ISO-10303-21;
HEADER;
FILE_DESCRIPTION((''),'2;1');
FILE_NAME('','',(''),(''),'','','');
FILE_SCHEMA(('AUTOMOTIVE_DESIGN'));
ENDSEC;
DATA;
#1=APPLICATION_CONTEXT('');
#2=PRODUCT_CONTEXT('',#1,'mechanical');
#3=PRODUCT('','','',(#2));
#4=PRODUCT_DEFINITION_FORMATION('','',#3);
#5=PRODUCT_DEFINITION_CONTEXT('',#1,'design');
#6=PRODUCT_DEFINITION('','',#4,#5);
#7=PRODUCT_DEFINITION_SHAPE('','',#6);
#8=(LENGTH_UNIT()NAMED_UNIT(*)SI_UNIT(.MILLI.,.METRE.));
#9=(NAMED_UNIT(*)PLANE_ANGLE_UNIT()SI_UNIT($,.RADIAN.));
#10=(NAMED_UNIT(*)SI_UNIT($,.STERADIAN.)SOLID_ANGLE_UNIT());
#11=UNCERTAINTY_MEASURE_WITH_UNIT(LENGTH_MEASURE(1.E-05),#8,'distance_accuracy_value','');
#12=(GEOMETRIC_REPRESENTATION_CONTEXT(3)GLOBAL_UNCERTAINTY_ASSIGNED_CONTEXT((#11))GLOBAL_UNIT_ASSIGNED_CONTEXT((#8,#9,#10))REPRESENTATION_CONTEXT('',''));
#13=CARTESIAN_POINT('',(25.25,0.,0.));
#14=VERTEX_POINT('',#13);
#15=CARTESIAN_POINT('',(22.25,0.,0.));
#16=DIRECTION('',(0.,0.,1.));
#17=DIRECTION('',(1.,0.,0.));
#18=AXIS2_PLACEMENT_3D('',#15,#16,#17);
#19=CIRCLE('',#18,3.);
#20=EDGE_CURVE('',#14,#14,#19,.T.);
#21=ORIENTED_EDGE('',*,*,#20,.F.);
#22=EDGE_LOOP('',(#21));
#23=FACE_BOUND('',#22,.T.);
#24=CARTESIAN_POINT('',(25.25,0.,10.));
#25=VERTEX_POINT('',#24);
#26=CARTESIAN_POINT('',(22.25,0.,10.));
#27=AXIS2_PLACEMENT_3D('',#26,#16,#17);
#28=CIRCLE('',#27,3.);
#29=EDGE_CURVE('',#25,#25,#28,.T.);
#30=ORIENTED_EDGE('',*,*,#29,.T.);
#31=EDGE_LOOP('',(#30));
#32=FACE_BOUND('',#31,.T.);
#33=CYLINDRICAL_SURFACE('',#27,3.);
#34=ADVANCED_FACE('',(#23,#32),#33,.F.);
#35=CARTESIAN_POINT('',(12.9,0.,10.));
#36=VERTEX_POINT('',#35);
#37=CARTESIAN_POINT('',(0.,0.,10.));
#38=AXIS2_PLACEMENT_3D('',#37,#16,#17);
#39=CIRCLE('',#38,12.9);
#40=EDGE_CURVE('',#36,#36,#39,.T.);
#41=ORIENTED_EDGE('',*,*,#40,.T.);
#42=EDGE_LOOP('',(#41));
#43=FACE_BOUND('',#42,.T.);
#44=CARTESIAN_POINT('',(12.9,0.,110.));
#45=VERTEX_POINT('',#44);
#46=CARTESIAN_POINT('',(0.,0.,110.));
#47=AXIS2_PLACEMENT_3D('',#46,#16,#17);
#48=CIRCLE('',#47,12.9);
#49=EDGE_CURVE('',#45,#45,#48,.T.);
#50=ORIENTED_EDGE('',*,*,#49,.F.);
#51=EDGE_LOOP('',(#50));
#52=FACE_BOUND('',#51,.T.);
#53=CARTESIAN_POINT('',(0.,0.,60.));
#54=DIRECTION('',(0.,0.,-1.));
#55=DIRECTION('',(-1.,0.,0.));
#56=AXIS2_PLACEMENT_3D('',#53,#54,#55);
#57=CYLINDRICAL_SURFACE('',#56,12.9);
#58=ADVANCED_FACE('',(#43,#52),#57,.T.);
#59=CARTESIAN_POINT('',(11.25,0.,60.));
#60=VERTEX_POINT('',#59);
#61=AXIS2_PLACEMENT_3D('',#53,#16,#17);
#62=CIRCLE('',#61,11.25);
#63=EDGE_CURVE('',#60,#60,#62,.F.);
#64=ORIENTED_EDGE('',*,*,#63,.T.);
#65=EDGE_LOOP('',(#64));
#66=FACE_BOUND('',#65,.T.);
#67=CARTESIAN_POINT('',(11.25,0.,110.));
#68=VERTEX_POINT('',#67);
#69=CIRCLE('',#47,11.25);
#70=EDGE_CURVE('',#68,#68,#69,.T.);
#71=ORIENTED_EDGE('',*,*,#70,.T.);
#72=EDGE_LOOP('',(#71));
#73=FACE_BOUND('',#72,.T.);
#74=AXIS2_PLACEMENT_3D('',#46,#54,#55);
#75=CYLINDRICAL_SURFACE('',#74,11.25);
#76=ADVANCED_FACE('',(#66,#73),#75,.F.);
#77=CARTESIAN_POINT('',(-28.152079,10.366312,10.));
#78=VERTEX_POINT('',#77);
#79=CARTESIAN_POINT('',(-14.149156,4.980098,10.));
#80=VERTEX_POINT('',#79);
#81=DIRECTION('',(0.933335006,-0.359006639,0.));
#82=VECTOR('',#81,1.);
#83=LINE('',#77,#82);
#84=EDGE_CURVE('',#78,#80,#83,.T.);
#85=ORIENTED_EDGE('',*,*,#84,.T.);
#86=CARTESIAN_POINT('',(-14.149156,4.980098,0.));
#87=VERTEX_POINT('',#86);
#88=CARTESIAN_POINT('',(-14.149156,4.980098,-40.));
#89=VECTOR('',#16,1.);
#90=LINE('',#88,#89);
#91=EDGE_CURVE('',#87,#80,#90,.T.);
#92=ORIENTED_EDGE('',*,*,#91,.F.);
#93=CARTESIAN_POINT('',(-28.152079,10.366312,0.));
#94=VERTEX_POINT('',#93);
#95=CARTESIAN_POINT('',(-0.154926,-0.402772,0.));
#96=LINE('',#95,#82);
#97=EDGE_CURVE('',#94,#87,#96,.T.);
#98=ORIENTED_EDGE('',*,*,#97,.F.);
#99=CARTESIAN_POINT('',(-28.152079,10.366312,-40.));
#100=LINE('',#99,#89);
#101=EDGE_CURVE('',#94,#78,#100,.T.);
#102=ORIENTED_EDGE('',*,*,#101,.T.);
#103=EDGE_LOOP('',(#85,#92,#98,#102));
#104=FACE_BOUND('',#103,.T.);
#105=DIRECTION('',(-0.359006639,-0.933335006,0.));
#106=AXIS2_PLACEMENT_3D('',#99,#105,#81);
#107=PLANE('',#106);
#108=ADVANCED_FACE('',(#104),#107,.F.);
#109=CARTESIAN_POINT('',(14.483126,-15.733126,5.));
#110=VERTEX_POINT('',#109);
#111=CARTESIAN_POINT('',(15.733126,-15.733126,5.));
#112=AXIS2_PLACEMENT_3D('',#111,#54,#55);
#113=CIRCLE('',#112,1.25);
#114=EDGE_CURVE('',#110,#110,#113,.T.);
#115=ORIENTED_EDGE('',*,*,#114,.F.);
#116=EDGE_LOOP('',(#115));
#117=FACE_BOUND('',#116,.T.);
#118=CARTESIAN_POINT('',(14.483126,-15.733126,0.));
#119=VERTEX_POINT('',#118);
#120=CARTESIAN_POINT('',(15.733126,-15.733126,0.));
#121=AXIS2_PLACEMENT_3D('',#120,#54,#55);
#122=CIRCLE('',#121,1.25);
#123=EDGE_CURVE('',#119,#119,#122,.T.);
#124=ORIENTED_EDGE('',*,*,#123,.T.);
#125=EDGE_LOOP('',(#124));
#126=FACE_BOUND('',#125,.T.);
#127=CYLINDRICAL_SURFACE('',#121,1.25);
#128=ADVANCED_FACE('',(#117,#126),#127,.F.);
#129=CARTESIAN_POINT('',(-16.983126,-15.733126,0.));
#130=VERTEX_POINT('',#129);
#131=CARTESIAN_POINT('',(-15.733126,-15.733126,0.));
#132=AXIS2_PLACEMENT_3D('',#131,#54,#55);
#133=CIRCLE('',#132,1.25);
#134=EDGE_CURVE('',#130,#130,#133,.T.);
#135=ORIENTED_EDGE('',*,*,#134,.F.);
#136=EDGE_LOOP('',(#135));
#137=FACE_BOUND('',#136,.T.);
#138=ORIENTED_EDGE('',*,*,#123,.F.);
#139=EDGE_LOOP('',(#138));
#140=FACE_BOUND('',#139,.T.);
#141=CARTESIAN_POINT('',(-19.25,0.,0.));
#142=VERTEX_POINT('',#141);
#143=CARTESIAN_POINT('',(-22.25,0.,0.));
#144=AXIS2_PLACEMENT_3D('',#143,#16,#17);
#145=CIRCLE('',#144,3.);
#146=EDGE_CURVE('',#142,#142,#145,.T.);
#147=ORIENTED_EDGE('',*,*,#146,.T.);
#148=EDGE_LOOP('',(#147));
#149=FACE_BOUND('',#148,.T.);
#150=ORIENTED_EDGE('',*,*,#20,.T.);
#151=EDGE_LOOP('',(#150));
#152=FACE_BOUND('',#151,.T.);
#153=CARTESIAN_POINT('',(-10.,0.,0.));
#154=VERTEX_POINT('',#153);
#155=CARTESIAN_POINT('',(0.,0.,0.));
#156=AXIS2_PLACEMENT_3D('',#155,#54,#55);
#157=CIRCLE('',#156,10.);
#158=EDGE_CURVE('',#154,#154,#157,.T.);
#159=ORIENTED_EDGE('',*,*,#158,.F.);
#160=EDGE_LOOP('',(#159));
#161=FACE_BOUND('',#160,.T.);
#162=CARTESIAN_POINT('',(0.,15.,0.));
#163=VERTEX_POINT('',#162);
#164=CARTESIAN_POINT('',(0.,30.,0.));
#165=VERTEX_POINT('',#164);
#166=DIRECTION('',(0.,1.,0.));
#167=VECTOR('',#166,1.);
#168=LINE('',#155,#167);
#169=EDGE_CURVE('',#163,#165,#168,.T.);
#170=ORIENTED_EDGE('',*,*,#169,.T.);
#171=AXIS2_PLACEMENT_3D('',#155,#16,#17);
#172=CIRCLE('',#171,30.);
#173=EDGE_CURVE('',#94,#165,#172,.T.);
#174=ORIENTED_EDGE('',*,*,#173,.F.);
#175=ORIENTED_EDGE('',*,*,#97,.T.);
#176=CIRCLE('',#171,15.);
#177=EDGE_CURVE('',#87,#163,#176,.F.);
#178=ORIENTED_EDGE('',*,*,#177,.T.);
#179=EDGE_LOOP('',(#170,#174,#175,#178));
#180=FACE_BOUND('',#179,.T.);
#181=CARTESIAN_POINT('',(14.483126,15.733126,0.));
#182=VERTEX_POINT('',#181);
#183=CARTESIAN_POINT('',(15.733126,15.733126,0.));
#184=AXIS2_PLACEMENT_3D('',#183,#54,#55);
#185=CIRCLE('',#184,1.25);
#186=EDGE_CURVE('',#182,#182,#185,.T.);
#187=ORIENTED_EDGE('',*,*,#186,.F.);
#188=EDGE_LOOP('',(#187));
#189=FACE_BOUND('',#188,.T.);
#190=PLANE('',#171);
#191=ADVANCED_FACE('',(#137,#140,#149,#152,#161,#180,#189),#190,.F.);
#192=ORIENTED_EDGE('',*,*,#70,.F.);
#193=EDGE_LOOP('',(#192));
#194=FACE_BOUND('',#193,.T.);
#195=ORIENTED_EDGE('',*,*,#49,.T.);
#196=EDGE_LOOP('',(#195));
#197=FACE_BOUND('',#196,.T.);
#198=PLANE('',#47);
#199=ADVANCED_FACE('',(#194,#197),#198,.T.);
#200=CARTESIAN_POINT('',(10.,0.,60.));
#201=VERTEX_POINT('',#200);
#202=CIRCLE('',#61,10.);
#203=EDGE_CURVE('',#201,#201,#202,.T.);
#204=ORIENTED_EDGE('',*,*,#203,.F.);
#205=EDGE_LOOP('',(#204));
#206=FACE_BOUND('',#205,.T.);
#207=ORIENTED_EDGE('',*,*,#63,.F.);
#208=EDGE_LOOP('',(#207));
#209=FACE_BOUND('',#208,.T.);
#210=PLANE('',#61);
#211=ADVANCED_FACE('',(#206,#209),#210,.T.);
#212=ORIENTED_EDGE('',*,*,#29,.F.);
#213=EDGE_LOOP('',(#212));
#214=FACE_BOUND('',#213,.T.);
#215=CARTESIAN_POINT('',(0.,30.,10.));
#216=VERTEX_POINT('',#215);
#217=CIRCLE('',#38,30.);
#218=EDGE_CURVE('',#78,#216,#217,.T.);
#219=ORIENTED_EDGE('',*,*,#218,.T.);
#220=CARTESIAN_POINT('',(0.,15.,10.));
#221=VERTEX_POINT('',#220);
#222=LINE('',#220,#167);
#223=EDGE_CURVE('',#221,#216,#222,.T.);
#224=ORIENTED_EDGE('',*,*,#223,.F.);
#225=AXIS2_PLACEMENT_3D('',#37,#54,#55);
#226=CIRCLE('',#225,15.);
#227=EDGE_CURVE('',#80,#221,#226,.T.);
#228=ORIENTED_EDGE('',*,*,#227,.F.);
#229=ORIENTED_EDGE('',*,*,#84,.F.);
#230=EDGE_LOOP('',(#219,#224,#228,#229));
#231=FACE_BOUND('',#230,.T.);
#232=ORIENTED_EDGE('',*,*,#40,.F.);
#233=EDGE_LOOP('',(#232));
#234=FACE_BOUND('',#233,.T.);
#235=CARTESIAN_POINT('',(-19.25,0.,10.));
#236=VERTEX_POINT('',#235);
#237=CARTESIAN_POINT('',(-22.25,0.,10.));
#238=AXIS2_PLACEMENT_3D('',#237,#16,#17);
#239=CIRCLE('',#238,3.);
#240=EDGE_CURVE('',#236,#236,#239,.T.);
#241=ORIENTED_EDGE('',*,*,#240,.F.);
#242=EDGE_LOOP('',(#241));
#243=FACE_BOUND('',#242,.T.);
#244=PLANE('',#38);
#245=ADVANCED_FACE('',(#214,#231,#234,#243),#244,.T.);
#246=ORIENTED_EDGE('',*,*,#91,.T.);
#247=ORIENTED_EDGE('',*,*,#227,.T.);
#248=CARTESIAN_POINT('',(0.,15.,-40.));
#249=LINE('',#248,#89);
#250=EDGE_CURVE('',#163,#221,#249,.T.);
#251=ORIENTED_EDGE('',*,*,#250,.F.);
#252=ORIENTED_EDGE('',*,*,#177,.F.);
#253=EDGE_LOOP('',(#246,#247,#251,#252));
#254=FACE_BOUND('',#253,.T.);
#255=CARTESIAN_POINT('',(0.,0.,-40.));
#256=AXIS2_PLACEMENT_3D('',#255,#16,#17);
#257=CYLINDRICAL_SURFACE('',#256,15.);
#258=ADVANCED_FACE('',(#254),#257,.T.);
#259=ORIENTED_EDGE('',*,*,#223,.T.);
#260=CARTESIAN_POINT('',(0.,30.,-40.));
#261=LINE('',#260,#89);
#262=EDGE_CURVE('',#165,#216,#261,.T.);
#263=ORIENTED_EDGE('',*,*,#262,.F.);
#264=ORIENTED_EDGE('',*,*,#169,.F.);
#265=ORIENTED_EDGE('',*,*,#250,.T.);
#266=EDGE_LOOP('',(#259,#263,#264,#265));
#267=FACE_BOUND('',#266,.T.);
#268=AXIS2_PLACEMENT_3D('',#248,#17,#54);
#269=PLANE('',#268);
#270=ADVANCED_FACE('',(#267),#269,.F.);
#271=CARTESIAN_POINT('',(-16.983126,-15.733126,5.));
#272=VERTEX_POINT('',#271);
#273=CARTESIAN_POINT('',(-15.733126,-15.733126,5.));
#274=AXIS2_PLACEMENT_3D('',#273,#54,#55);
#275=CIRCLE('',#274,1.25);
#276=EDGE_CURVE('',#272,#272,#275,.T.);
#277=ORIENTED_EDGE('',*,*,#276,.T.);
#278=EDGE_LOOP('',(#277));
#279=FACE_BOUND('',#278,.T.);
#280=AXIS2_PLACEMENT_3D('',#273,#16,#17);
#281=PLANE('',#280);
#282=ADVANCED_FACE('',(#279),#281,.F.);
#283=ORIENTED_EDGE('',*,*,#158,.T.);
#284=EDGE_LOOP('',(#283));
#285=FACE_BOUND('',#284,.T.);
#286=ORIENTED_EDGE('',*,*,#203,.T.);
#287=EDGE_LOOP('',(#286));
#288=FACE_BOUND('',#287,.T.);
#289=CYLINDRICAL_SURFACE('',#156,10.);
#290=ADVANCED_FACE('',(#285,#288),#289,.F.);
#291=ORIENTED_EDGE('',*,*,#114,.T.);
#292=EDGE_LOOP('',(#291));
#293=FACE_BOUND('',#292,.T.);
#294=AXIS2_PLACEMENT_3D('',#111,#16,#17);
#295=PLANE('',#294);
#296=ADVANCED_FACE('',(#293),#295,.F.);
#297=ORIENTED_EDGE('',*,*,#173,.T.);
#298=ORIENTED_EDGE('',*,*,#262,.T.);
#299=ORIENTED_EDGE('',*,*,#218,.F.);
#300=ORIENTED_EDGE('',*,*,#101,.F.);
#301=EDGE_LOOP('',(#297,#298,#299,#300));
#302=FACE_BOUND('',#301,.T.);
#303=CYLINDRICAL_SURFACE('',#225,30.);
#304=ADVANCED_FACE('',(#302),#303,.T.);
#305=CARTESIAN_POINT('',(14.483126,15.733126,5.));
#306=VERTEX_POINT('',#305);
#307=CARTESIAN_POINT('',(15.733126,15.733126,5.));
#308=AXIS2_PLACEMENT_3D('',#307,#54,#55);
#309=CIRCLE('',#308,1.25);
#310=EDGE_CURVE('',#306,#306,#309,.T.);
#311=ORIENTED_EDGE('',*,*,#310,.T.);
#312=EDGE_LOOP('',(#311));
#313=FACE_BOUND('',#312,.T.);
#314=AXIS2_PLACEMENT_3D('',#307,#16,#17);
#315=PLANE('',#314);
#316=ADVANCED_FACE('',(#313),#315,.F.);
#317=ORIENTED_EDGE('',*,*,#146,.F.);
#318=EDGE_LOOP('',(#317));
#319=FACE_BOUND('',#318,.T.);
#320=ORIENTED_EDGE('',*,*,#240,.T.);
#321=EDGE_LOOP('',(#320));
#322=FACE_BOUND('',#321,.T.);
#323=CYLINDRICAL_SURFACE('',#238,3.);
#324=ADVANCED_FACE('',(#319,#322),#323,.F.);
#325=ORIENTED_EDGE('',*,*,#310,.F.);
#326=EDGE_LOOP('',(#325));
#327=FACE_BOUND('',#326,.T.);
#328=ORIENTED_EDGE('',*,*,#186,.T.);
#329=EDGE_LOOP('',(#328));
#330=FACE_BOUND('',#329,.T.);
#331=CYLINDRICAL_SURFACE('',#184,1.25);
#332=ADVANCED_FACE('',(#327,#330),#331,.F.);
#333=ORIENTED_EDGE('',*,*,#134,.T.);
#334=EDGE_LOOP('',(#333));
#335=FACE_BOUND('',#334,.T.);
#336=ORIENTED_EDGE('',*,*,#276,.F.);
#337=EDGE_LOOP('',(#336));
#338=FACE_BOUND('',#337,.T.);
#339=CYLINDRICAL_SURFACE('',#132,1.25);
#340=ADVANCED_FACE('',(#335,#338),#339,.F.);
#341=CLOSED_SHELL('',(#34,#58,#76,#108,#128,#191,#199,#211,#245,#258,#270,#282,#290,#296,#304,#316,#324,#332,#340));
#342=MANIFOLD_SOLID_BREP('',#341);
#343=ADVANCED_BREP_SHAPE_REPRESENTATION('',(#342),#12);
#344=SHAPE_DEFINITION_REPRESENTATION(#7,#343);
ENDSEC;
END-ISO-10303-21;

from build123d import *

# Parameters (mm, degrees)
SKETCH1_R                 = 30
BOSS_EXTRUDE1_DEPTH       = 10
SKETCH2_R                 = 12.9
BOSS_EXTRUDE2_DEPTH       = 50
F_6_0MM_DOWEL_HOLE1_D     = 6
CUT_EXTRUDE2_START        = -50
CUT_EXTRUDE2_DEPTH        = 50
F_2_5MM_DOWEL_HOLE1_D     = 2.5
F_2_5MM_DOWEL_HOLE1_DEPTH = 5
SKETCH15_R                = 12.9
SKETCH15_R_2              = 11.25
BOSS_EXTRUDE3_DEPTH       = 50
F_6_0MM_DOWEL_HOLE2_D     = 20


with BuildPart() as part:
    # Sketch1 → Boss-Extrude1 (new body)
    with BuildSketch(Plane.XY):
        Circle(SKETCH1_R)
    extrude(amount=BOSS_EXTRUDE1_DEPTH)

    # Sketch2 → Boss-Extrude2 (add)
    with BuildSketch(Plane.XY.offset(10)):
        Circle(SKETCH2_R)
    extrude(amount=BOSS_EXTRUDE2_DEPTH)

    # Ø6.0mm Dowel Hole1 (through all)
    with Locations(Plane.XY.offset(10)):
        with Locations((-22.25, 0), (22.25, 0)):
            Hole(F_6_0MM_DOWEL_HOLE1_D / 2)

    # Sketch7 → Cut-Extrude2 (cut)
    with BuildSketch(Plane.XY.offset(10).offset(CUT_EXTRUDE2_START)):
        with BuildLine():
            Line((0, 15), (0, 30))
            ThreePointArc((0, 30), (-17.161157118, 24.606801628), (-28.152079261, 10.366312424))
            Line((-28.152079261, 10.366312424), (-14.149156244, 4.98009815))
            ThreePointArc((-14.149156244, 4.98009815), (-8.668867508, 12.241353525), (0, 15))
        make_face()
    extrude(amount=CUT_EXTRUDE2_DEPTH, mode=Mode.SUBTRACT)

    # Ø2.5mm Dowel Hole1
    with Locations(Plane(origin=(0, 0, 0), x_dir=(-1, 0, 0), z_dir=(0, 0, -1))):
        with Locations((-15.733125881, 15.733125881), (-15.733125881, -15.733125881), (15.733125881, -15.733125881)):
            Hole(F_2_5MM_DOWEL_HOLE1_D / 2, depth=F_2_5MM_DOWEL_HOLE1_DEPTH)

    # Sketch15 → Boss-Extrude3 (add)
    with BuildSketch(Plane.XY.offset(60)):
        Circle(SKETCH15_R)
        Circle(SKETCH15_R_2, mode=Mode.SUBTRACT)
    extrude(amount=BOSS_EXTRUDE3_DEPTH)

    # Ø6.0mm Dowel Hole2 (through all)
    with Locations(Plane(origin=(0, 0, 0), x_dir=(-1, 0, 0), z_dir=(0, 0, -1))):
        with Locations((0, 0)):
            Hole(F_6_0MM_DOWEL_HOLE2_D / 2)


solid = part.part
